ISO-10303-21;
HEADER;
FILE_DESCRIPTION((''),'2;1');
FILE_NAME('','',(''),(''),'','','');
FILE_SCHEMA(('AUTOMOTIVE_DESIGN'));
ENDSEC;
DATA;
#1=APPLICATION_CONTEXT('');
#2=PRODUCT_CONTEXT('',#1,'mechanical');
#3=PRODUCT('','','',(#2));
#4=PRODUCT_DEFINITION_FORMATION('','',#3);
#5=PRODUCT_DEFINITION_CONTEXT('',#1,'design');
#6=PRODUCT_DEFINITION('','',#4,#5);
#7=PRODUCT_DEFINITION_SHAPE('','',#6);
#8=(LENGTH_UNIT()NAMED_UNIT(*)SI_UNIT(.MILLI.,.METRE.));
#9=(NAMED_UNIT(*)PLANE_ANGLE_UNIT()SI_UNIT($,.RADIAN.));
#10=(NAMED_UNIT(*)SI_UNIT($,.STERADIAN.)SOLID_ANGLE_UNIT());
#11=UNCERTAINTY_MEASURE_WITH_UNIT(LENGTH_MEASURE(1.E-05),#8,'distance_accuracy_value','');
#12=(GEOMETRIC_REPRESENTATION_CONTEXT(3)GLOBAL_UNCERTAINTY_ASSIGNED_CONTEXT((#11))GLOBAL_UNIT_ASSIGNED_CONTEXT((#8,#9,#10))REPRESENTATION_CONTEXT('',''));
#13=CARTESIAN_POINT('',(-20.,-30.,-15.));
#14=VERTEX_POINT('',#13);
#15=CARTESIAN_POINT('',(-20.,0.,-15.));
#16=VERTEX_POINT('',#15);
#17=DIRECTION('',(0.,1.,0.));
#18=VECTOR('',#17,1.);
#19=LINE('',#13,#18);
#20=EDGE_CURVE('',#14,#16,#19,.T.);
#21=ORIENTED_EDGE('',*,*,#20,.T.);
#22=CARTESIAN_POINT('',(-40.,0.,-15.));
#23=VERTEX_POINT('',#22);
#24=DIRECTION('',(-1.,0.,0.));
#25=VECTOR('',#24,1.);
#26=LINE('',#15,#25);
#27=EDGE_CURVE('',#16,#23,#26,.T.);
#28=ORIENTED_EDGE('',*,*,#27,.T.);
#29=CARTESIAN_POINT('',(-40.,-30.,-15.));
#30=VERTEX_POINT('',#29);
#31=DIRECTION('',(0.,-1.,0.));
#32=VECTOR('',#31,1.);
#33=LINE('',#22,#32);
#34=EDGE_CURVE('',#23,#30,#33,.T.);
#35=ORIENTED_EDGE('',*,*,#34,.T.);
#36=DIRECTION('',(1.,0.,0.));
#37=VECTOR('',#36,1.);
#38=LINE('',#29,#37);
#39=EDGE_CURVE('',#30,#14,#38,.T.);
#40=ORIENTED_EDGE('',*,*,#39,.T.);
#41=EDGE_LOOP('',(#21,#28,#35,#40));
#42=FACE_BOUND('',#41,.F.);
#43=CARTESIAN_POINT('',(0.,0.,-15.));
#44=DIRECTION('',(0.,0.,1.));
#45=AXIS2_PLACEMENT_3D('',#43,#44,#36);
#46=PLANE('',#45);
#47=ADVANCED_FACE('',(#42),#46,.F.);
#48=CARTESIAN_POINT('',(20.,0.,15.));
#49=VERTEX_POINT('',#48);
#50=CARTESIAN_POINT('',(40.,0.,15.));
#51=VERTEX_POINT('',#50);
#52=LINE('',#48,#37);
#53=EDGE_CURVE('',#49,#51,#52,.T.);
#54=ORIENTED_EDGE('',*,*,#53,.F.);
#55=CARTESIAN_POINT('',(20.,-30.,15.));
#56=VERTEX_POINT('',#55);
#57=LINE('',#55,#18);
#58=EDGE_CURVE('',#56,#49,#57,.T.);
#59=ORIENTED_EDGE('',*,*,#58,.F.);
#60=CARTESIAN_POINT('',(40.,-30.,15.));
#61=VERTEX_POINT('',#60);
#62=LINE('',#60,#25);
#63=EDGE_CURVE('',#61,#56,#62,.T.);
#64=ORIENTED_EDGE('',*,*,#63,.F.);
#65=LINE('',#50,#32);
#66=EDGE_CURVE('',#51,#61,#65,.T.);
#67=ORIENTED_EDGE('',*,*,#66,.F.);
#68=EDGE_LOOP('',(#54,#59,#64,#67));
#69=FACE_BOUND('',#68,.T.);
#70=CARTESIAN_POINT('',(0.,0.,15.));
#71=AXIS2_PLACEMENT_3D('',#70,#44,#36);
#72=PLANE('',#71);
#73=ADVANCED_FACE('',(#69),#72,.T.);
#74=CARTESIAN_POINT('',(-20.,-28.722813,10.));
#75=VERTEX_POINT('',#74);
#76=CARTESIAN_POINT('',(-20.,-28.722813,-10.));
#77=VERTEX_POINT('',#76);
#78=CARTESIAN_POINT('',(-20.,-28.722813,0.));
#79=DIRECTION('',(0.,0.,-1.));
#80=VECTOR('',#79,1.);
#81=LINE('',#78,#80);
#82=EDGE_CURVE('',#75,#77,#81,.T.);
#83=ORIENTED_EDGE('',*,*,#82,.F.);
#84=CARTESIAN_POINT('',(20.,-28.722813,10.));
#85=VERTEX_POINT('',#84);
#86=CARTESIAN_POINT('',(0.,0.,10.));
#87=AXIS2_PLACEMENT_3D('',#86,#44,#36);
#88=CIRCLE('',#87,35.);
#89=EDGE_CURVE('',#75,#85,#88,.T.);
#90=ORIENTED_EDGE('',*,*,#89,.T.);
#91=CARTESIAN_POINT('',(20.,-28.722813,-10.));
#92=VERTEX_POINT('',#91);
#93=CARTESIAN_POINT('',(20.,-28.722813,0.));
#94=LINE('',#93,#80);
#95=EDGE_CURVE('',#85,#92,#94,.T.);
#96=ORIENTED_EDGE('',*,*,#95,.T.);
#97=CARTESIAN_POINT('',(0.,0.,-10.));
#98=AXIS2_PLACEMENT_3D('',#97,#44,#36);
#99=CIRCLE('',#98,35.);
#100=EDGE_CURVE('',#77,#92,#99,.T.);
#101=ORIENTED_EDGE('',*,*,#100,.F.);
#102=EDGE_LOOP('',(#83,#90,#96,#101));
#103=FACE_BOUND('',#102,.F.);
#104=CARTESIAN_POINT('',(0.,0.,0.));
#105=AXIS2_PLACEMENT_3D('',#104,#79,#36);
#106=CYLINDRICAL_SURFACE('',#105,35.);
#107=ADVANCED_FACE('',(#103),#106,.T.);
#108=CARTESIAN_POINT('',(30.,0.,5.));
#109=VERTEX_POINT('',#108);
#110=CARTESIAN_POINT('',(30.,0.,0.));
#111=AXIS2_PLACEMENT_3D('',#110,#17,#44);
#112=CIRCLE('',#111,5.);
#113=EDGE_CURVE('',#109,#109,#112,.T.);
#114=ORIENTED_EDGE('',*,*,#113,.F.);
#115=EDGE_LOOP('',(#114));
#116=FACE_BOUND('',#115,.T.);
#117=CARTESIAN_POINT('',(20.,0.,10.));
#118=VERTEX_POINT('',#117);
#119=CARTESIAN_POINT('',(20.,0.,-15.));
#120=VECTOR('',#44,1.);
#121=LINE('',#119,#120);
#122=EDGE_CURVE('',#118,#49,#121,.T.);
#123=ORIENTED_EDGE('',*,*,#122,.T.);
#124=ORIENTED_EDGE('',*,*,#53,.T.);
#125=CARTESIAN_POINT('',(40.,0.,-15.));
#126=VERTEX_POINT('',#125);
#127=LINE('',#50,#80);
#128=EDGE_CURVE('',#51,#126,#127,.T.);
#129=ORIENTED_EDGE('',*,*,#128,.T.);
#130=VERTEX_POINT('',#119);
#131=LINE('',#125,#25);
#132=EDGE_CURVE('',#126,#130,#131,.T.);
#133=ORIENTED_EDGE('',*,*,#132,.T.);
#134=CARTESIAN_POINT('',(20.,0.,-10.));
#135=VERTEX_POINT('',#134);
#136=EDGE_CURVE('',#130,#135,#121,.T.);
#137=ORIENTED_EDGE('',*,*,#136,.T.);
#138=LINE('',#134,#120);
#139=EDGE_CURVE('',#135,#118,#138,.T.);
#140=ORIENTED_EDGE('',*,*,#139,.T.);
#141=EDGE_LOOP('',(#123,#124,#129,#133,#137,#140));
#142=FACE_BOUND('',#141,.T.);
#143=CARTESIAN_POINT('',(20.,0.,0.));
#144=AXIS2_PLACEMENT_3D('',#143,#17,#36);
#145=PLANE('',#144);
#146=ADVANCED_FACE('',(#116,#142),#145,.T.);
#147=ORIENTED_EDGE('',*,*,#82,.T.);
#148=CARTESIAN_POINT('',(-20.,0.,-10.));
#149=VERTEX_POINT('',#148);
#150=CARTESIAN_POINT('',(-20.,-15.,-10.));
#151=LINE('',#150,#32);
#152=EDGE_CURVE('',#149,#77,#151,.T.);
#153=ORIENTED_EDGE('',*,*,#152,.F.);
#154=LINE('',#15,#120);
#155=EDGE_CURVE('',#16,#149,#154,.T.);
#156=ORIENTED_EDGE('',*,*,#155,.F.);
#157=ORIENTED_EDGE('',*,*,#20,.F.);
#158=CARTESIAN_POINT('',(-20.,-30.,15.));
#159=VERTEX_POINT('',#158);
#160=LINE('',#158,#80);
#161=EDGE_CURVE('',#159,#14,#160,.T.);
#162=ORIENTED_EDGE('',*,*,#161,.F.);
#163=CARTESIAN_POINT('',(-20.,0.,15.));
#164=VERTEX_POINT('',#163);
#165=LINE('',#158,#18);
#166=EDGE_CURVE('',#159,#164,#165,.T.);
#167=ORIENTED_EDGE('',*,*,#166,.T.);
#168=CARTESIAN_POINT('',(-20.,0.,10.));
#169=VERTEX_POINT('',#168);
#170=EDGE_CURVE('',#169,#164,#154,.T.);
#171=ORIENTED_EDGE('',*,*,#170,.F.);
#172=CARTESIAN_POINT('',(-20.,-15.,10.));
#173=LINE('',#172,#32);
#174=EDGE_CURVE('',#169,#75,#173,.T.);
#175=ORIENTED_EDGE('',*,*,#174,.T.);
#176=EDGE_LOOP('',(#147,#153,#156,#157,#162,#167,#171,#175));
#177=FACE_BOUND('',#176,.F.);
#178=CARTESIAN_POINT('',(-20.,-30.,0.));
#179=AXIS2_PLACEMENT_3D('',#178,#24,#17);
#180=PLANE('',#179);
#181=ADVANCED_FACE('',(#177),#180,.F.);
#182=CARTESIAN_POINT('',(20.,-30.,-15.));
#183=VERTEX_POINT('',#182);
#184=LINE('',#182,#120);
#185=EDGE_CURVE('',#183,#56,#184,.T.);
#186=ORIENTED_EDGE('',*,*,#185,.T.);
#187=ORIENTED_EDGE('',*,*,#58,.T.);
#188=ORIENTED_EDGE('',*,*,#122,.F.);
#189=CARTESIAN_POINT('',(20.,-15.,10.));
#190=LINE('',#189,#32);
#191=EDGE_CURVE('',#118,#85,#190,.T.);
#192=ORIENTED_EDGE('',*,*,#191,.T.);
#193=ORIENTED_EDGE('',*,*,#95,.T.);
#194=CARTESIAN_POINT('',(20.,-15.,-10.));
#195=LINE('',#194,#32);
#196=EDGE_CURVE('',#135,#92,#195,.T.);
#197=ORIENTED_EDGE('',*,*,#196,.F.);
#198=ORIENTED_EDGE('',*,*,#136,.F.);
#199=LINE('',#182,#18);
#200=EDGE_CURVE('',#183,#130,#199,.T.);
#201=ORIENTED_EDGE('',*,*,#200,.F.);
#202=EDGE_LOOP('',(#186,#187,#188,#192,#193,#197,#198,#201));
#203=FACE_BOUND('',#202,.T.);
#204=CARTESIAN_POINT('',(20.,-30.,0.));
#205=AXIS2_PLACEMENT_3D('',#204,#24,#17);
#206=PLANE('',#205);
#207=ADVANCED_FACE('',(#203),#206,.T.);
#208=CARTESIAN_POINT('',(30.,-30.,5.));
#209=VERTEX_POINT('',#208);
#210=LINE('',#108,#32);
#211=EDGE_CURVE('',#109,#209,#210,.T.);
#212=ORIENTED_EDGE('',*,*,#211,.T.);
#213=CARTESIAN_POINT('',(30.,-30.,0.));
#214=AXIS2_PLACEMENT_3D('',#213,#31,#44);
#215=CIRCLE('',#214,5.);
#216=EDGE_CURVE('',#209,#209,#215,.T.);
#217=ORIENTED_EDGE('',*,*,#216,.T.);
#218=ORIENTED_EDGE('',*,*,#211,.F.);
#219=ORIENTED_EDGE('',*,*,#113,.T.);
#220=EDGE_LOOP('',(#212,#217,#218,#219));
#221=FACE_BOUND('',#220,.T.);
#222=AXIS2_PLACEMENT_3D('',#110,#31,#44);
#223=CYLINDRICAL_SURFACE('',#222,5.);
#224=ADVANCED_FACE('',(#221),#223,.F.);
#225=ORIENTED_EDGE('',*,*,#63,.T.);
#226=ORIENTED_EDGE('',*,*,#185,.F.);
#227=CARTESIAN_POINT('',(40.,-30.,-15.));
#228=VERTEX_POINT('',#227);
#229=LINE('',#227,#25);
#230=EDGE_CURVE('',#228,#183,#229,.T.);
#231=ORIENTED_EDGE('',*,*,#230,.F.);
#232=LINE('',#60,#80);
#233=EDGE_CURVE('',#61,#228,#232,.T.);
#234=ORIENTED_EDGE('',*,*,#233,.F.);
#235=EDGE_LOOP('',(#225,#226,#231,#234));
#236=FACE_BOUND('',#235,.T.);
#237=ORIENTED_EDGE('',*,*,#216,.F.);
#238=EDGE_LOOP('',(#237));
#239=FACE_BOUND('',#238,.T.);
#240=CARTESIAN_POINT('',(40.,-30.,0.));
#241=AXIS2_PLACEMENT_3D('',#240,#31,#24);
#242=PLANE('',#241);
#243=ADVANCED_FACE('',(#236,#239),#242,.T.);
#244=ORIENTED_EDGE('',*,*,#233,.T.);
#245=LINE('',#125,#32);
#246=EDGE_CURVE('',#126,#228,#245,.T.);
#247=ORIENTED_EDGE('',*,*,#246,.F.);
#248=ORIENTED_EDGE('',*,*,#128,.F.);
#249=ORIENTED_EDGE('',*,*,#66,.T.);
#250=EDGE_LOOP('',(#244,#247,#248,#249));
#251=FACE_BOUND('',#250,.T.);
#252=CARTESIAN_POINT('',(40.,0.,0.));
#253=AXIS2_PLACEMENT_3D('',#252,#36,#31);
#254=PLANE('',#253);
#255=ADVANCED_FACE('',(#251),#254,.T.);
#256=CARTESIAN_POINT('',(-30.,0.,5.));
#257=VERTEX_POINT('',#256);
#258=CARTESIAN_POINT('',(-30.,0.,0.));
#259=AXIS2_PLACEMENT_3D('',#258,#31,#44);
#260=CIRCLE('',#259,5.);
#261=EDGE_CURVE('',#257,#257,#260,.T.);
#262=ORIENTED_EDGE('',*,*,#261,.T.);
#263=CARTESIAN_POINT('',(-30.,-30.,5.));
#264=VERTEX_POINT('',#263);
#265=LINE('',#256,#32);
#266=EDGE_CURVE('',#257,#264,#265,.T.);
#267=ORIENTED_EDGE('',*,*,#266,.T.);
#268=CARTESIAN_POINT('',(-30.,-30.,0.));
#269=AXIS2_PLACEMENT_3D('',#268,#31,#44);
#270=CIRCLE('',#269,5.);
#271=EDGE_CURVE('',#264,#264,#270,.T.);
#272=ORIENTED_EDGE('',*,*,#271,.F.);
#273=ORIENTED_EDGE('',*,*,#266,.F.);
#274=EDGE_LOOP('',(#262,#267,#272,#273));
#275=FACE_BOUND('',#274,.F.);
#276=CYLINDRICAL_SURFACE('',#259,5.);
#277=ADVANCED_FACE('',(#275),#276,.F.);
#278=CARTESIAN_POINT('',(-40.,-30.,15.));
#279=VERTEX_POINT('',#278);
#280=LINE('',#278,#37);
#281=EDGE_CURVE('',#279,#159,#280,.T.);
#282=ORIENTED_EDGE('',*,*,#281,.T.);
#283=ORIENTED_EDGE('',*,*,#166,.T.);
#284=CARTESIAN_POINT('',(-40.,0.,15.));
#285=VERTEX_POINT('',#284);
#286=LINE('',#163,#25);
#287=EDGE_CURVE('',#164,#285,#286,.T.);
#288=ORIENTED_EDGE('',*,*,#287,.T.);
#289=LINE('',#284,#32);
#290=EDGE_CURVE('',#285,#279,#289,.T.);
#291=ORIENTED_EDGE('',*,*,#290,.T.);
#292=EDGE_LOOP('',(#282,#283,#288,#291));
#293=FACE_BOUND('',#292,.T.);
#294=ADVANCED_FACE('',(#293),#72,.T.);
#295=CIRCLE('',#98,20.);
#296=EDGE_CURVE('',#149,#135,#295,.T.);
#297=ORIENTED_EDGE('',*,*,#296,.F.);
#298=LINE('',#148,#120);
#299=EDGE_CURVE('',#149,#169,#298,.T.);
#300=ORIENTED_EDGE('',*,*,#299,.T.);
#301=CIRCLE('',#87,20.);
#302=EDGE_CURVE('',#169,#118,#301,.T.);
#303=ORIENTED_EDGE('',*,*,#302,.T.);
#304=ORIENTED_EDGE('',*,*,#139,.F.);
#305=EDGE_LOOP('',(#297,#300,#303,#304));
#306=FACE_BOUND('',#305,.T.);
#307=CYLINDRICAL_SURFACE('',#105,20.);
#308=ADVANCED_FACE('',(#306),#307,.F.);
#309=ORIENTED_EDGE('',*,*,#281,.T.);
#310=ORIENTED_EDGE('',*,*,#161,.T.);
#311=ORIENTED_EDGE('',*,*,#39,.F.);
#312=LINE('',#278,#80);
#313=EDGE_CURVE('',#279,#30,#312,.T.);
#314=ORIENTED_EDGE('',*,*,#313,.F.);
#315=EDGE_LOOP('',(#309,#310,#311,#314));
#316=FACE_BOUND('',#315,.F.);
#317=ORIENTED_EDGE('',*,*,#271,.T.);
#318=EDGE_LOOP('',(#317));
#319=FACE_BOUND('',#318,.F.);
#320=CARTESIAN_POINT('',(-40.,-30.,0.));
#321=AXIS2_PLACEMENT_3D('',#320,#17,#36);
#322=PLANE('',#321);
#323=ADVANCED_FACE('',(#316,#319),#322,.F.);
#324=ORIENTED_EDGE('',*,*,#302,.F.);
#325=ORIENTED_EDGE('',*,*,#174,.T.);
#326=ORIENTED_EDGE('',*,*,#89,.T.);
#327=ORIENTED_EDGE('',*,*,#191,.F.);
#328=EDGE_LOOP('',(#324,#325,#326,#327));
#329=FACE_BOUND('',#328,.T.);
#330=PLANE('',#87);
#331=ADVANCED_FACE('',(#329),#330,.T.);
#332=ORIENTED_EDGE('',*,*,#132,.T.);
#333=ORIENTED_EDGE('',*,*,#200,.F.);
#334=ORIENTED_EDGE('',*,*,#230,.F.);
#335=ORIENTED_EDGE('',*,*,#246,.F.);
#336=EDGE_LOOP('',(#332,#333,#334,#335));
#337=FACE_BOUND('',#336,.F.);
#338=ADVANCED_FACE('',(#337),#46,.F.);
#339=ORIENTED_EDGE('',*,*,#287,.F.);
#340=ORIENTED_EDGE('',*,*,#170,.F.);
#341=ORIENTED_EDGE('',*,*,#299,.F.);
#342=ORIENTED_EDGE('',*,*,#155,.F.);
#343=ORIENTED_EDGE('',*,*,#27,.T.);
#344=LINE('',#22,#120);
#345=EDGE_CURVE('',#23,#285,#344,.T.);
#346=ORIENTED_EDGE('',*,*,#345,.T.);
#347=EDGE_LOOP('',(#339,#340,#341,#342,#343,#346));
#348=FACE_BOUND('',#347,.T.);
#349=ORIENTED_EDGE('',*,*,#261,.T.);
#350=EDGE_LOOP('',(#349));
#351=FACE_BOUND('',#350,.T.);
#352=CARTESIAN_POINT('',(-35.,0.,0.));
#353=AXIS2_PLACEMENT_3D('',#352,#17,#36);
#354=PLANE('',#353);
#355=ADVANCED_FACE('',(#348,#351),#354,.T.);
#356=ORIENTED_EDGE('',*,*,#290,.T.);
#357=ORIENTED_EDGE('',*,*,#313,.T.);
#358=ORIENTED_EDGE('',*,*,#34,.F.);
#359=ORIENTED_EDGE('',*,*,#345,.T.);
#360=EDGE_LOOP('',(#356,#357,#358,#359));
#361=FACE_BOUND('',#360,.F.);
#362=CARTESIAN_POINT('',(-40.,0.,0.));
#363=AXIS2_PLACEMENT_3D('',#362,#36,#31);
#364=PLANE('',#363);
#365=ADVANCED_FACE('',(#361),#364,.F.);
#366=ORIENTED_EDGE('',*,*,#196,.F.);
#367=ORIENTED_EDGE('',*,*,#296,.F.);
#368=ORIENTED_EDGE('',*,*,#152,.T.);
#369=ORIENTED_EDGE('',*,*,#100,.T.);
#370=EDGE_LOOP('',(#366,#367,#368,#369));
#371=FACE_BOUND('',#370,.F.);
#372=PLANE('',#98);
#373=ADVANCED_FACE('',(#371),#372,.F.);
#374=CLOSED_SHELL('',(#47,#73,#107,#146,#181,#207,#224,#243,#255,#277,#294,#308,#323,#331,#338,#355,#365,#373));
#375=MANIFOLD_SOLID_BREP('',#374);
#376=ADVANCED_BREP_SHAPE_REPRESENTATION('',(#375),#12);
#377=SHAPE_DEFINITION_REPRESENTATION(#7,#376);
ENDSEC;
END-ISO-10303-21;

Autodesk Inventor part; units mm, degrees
ref_plane "YZ Plane" through (0, 0, 0) normal (1, 0, 0) x (0, 1, 0)
ref_plane "XZ Plane" through (0, 0, 0) normal (0, 1, 0) x (-1, 0, 0)
ref_plane "XY Plane" through (0, 0, 0) normal (0, 0, 1) x (1, 0, 0)
sketch "草图1" plane through (0, 0, 0) normal (0, 0, 1) x (1, 0, 0)
  circle A0 centre (0, 0) radius 20 projected
  circle A1 centre (0, 0) radius 35
  line L0 (-35, 0) -> (35, 0)
  point P0 (-20, 0)
  point P1 (20, 0)
  dimension "d0" = 70
  dimension "d1" = 70
extrude "拉伸1" add sketch "草图1" along normal mid plane 20 contours L0 A1 A0 picked at (-29.7075, -2.5961)
sketch "草图2" plane through (0, 0, 0) normal (0, 0, 1) x (1, 0, 0)
  line L0 (-20, 0) -> (-40, 0)
  line L1 (-40, 0) -> (-40, -30)
  line L2 (-40, -30) -> (-20, -30)
  line L3 (-20, -30) -> (-20, 0)
  line L4 (20, 0) -> (35, 0) projected
  line L5 (20, 0) -> (40, 0)
  line L6 (40, 0) -> (40, -30)
  line L7 (40, -30) -> (20, -30)
  line L8 (20, -30) -> (20, 0)
  point P0 (0, 0)
  dimension "d4" = 20
  dimension "d5" = 30
  dimension "d6" = 20
  dimension "d7" = 30
extrude "拉伸2" add sketch "草图2" along normal mid plane 30
sketch "草图3" plane through (-40, 0, -15) normal (0, 1, 0) x (1, 0, 0)
  line L0 (20, -5) -> (20, -25) construction
  line L1 (20, 0) -> (20, -5) construction
  line L2 (0, 0) -> (20, 0) construction
  line L3 (0, -30) -> (0, 0) construction
  line L4 (20, -30) -> (0, -30) construction
  line L5 (20, -25) -> (20, -30) construction
  point P0 (40, -15)
  point P1 (10, -15)
  point P2 (20, -15)
  point P3 (10, 0)
hole "孔1" at (-30, 0, 0) direction (0, -1, 0) diameter 10 end through all
mirror "镜像1" about plane through (0, 0, 0) normal (1, 0, 0) of "孔1"
properties part number "连接下环"
